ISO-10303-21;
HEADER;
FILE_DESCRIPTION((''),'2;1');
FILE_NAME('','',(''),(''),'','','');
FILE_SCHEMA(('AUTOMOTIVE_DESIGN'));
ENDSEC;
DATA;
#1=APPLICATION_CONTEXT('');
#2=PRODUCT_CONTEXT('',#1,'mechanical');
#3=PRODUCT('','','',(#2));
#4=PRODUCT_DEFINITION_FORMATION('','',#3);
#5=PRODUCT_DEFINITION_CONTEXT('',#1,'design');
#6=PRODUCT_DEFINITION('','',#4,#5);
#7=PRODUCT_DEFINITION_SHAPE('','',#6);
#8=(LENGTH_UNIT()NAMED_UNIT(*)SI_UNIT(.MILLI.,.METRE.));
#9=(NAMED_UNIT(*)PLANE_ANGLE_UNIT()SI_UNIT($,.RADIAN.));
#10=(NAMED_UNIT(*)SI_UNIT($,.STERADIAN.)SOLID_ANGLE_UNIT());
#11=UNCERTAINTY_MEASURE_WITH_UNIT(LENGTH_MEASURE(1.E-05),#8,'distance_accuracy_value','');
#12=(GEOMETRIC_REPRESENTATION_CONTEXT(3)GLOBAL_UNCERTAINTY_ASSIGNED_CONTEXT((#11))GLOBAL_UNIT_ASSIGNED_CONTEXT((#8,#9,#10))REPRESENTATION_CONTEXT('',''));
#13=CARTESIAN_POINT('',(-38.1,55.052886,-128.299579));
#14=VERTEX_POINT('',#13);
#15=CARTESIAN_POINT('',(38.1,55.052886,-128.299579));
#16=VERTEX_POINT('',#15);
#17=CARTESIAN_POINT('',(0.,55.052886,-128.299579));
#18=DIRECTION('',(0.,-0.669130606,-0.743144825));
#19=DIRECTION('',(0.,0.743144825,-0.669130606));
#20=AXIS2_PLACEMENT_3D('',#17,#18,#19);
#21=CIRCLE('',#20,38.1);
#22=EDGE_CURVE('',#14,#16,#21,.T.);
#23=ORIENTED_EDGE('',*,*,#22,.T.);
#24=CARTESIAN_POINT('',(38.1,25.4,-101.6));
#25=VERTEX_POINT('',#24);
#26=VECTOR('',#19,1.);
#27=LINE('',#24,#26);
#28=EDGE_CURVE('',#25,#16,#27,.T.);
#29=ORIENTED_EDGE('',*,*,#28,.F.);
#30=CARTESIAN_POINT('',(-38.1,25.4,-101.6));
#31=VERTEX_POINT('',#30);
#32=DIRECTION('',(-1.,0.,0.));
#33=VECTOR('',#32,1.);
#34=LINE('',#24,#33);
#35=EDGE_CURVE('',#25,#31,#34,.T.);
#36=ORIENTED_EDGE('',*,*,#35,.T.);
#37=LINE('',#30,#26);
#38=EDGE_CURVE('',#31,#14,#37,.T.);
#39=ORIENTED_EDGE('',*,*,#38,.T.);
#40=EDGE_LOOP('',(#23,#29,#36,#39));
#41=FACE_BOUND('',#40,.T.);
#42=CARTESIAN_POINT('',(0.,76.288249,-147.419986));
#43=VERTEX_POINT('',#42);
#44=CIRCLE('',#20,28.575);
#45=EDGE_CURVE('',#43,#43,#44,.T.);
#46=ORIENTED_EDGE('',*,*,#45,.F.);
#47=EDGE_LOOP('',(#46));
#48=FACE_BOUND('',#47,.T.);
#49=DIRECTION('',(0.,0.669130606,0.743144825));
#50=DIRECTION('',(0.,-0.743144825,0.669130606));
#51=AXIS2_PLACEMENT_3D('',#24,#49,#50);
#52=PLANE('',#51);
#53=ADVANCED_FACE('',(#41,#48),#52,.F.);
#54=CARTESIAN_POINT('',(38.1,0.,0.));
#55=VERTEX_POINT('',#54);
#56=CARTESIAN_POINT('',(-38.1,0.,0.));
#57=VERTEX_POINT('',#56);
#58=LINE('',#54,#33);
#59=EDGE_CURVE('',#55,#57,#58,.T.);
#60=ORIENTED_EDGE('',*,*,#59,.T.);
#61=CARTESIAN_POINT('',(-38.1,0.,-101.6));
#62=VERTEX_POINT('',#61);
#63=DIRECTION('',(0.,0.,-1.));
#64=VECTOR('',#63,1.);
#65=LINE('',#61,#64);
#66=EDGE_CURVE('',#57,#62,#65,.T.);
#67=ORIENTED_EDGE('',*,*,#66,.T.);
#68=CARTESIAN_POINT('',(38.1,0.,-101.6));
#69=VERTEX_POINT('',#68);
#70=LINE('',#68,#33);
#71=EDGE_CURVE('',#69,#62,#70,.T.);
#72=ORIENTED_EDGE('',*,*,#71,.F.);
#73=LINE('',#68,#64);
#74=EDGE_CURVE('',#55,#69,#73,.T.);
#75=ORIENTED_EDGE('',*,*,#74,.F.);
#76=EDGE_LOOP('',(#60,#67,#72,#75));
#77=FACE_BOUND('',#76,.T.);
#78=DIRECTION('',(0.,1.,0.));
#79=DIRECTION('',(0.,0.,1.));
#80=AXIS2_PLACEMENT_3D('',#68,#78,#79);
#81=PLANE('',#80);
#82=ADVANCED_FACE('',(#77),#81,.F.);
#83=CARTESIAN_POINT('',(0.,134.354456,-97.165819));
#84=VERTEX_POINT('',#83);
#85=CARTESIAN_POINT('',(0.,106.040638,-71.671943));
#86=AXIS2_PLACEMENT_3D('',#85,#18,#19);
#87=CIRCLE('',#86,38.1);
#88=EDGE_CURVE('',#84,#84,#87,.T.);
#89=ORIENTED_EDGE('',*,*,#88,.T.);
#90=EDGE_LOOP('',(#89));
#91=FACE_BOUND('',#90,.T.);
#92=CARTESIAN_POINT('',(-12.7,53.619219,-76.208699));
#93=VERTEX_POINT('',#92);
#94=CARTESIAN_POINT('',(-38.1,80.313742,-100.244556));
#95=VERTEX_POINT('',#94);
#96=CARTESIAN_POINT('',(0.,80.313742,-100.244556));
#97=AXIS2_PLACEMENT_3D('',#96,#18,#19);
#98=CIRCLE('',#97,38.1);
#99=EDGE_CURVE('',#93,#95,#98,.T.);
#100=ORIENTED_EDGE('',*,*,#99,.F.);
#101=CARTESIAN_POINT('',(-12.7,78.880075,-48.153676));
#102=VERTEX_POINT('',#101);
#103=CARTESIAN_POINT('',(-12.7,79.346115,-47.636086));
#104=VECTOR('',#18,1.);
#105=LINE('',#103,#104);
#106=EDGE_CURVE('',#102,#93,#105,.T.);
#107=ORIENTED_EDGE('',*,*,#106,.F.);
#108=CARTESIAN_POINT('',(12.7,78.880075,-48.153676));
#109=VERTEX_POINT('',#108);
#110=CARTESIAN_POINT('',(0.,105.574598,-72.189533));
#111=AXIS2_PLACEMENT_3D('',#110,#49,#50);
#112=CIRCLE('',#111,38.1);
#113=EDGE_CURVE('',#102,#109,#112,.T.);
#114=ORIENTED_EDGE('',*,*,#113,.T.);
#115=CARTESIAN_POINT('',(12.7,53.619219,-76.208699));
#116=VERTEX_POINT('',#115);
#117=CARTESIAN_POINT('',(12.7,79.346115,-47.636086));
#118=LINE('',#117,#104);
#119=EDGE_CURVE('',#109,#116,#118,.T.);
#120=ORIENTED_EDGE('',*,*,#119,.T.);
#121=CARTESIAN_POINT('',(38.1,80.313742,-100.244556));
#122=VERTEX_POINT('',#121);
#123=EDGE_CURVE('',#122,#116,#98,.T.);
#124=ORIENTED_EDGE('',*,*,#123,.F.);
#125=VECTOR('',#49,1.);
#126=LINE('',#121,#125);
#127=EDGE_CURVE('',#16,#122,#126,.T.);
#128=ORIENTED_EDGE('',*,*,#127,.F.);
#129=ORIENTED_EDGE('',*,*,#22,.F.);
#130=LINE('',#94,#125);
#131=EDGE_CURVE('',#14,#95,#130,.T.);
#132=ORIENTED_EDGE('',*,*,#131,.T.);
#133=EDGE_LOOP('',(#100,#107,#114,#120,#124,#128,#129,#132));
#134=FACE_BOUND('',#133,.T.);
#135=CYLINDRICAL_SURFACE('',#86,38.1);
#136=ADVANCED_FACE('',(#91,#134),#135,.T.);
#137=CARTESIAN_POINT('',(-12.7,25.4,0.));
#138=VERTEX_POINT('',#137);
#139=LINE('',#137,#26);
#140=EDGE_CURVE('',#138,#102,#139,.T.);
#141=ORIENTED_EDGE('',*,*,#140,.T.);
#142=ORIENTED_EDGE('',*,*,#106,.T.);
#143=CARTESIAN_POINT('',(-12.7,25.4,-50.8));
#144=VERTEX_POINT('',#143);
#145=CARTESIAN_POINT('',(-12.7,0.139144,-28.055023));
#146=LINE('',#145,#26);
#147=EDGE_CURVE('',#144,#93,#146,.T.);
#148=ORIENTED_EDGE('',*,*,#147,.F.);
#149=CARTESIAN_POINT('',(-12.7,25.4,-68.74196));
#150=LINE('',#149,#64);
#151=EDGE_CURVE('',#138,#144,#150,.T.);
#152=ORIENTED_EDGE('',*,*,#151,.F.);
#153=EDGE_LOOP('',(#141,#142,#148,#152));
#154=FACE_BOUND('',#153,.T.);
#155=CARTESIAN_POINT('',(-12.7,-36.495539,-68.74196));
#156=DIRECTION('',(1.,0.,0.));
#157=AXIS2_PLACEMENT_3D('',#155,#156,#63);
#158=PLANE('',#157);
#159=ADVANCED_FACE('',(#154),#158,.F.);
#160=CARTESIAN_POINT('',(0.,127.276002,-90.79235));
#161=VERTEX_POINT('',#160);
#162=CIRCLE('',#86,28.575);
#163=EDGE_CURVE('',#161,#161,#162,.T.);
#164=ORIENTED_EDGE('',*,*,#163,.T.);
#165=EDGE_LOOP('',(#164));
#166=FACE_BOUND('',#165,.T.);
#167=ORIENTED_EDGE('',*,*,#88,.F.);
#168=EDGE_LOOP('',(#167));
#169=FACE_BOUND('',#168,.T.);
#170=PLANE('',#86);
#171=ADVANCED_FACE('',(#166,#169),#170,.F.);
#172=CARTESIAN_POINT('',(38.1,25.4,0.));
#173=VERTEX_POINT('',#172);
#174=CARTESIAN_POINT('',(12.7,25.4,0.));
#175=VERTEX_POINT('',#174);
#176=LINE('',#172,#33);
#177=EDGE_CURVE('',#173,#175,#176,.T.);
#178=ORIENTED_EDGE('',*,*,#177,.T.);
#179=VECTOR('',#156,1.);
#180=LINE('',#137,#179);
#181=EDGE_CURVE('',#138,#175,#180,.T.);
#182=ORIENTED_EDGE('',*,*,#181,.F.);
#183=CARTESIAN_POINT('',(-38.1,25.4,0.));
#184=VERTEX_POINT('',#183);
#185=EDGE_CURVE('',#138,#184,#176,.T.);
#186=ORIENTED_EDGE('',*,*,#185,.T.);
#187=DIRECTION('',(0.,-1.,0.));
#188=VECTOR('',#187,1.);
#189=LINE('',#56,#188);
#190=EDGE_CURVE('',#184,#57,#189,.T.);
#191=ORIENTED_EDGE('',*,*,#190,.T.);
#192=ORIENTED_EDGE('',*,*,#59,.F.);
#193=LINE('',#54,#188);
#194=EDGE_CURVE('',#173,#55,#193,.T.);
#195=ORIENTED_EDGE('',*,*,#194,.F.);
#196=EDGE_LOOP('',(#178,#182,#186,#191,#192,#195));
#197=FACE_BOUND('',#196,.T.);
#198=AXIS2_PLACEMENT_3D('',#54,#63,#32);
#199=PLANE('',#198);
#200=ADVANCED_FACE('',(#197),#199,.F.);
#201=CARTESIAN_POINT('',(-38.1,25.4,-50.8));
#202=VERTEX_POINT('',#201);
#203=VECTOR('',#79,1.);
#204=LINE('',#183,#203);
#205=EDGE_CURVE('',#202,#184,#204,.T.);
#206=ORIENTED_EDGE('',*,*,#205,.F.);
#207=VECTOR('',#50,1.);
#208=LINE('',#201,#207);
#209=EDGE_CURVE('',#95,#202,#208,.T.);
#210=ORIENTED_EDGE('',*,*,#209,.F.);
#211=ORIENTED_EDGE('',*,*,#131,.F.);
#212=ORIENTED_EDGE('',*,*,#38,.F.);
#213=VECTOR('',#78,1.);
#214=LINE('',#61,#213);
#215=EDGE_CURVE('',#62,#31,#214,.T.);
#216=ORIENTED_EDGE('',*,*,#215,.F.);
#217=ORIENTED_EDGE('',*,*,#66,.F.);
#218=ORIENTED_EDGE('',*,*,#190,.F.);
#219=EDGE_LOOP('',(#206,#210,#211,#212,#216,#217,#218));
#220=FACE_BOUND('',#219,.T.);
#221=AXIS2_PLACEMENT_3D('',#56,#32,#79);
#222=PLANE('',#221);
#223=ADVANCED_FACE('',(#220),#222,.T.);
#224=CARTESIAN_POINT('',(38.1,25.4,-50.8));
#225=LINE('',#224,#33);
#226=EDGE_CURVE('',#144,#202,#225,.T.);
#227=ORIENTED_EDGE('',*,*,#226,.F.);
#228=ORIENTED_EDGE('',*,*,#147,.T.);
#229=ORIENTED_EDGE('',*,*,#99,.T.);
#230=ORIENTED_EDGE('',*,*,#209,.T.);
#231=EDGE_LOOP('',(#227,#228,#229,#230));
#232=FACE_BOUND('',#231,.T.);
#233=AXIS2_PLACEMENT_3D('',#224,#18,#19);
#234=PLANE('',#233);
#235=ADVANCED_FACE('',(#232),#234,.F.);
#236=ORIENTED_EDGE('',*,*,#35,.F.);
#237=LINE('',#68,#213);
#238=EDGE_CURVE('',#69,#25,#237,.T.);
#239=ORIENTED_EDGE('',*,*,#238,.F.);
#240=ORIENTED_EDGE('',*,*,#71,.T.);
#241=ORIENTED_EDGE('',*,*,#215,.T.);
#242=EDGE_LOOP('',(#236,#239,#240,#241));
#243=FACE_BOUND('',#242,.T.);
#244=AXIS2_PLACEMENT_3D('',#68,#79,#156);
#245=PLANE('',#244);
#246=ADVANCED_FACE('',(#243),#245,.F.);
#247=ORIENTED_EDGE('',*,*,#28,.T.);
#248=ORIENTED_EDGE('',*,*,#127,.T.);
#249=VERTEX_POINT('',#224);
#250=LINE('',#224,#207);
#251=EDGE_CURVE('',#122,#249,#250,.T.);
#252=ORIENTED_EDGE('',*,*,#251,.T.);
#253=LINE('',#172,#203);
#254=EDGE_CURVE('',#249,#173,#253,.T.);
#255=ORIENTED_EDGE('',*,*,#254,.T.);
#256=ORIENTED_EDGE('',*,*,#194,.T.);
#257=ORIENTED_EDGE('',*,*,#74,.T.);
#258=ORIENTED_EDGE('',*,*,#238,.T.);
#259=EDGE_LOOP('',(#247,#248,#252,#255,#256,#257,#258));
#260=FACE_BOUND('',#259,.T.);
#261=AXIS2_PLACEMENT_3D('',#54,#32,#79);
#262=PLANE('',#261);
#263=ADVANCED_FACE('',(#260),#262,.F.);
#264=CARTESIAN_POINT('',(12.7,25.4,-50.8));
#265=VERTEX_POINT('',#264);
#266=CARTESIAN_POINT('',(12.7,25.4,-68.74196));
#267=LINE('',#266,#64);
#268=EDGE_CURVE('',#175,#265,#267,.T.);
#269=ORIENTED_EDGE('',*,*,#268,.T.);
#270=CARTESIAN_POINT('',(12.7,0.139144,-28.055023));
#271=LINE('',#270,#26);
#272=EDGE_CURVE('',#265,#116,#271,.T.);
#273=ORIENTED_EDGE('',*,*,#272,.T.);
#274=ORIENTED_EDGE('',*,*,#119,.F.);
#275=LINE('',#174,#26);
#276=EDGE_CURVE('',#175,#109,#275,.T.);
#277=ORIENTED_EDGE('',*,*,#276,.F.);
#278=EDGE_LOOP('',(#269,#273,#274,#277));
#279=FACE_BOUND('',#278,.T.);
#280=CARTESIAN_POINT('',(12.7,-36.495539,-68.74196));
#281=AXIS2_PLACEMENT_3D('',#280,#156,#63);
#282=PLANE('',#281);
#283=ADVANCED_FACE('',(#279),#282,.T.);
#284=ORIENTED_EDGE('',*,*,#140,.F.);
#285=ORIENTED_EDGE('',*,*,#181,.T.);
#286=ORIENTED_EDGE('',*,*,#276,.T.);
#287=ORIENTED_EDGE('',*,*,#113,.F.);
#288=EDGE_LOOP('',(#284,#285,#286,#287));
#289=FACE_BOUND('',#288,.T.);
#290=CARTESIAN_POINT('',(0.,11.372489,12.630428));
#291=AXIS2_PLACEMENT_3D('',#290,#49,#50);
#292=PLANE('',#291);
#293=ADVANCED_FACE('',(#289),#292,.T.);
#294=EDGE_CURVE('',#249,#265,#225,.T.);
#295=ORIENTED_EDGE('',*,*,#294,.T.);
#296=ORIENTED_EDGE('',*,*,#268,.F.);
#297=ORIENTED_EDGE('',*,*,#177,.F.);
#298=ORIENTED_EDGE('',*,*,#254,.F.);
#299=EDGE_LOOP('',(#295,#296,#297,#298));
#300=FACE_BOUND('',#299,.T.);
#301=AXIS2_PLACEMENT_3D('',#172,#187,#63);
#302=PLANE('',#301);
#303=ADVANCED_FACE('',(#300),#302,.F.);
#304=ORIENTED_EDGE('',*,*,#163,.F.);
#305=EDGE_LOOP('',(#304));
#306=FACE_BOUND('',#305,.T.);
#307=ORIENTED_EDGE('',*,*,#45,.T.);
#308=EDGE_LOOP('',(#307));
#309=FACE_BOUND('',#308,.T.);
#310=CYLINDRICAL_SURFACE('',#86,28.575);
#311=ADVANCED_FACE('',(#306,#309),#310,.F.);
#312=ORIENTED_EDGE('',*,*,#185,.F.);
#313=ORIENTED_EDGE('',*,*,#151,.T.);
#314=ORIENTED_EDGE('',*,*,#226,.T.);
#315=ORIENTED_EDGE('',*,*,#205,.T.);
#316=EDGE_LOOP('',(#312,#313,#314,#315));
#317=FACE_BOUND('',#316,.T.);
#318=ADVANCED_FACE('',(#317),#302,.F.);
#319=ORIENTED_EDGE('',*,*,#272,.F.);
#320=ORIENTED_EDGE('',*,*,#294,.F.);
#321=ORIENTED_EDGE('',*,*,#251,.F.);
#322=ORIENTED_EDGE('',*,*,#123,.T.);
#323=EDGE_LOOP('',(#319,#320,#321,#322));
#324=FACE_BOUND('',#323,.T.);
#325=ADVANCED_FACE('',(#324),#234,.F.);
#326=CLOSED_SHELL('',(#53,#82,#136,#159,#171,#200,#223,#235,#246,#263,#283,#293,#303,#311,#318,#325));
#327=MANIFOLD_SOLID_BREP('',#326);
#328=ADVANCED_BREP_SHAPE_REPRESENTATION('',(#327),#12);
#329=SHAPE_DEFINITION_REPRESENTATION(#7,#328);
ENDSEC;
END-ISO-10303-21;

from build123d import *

# Parameters (mm, degrees)
BOSS_EXTRUDE1_DEPTH = 38.1
BOSS_EXTRUDE2_REACH = 114.341
SKETCH3_W           = 25.4
SKETCH3_H           = 88.161149917
SKETCH4_R           = 38.1
BOSS_EXTRUDE3_DEPTH = 76.2
SKETCH5_R           = 28.575
CUT_EXTRUDE1_DEPTH  = 76.2


with BuildPart() as part:
    # Sketch1 → Boss-Extrude1 (new body, symmetric)
    with BuildSketch(Plane(origin=(0, 0, 0), x_dir=(0, 0, -1), z_dir=(1, 0, 0))):
        Polygon((0, 0), (0, 25.4), (50.8, 25.4), (100.244555556, 80.313742191), (128.299578523, 55.052886048), (101.6, 25.4), (101.6, 0), align=None)
    extrude(amount=BOSS_EXTRUDE1_DEPTH, both=True)

    # Sketch3 → Boss-Extrude2 (add, up to next)
    with BuildSketch(Plane(origin=(0, 11.372488517, 12.630428071), x_dir=(1, 0, 0), z_dir=(0, 0.669130606, 0.743144825)), mode=Mode.PRIVATE) as boss_extrude2_sk1:
        with Locations((0, 62.956453526)):
            Rectangle(SKETCH3_W, SKETCH3_H)
    boss_extrude2_tool1 = extrude(boss_extrude2_sk1.sketch, amount=-BOSS_EXTRUDE2_REACH, mode=Mode.PRIVATE) - part.part
    add(boss_extrude2_tool1.solids().sort_by_distance((0, 58.158251, -29.495662))[0])

    # Sketch4 → Boss-Extrude3 (add)
    with BuildSketch(Plane(origin=(0, -39.149223768, -43.479617863), x_dir=(-1, 0, 0), z_dir=(0, -0.669130606, -0.743144825))):
        with Locations((0, 126.761442167)):
            Circle(SKETCH4_R)
    extrude(amount=-BOSS_EXTRUDE3_DEPTH)

    # Sketch5 → Cut-Extrude1 (cut)
    with BuildSketch(Plane(origin=(0, -39.149223768, -43.479617863), x_dir=(-1, 0, 0), z_dir=(0, -0.669130606, -0.743144825))):
        with Locations((0, 126.761442167)):
            Circle(SKETCH5_R)
    extrude(amount=-CUT_EXTRUDE1_DEPTH, mode=Mode.SUBTRACT)


solid = part.part
